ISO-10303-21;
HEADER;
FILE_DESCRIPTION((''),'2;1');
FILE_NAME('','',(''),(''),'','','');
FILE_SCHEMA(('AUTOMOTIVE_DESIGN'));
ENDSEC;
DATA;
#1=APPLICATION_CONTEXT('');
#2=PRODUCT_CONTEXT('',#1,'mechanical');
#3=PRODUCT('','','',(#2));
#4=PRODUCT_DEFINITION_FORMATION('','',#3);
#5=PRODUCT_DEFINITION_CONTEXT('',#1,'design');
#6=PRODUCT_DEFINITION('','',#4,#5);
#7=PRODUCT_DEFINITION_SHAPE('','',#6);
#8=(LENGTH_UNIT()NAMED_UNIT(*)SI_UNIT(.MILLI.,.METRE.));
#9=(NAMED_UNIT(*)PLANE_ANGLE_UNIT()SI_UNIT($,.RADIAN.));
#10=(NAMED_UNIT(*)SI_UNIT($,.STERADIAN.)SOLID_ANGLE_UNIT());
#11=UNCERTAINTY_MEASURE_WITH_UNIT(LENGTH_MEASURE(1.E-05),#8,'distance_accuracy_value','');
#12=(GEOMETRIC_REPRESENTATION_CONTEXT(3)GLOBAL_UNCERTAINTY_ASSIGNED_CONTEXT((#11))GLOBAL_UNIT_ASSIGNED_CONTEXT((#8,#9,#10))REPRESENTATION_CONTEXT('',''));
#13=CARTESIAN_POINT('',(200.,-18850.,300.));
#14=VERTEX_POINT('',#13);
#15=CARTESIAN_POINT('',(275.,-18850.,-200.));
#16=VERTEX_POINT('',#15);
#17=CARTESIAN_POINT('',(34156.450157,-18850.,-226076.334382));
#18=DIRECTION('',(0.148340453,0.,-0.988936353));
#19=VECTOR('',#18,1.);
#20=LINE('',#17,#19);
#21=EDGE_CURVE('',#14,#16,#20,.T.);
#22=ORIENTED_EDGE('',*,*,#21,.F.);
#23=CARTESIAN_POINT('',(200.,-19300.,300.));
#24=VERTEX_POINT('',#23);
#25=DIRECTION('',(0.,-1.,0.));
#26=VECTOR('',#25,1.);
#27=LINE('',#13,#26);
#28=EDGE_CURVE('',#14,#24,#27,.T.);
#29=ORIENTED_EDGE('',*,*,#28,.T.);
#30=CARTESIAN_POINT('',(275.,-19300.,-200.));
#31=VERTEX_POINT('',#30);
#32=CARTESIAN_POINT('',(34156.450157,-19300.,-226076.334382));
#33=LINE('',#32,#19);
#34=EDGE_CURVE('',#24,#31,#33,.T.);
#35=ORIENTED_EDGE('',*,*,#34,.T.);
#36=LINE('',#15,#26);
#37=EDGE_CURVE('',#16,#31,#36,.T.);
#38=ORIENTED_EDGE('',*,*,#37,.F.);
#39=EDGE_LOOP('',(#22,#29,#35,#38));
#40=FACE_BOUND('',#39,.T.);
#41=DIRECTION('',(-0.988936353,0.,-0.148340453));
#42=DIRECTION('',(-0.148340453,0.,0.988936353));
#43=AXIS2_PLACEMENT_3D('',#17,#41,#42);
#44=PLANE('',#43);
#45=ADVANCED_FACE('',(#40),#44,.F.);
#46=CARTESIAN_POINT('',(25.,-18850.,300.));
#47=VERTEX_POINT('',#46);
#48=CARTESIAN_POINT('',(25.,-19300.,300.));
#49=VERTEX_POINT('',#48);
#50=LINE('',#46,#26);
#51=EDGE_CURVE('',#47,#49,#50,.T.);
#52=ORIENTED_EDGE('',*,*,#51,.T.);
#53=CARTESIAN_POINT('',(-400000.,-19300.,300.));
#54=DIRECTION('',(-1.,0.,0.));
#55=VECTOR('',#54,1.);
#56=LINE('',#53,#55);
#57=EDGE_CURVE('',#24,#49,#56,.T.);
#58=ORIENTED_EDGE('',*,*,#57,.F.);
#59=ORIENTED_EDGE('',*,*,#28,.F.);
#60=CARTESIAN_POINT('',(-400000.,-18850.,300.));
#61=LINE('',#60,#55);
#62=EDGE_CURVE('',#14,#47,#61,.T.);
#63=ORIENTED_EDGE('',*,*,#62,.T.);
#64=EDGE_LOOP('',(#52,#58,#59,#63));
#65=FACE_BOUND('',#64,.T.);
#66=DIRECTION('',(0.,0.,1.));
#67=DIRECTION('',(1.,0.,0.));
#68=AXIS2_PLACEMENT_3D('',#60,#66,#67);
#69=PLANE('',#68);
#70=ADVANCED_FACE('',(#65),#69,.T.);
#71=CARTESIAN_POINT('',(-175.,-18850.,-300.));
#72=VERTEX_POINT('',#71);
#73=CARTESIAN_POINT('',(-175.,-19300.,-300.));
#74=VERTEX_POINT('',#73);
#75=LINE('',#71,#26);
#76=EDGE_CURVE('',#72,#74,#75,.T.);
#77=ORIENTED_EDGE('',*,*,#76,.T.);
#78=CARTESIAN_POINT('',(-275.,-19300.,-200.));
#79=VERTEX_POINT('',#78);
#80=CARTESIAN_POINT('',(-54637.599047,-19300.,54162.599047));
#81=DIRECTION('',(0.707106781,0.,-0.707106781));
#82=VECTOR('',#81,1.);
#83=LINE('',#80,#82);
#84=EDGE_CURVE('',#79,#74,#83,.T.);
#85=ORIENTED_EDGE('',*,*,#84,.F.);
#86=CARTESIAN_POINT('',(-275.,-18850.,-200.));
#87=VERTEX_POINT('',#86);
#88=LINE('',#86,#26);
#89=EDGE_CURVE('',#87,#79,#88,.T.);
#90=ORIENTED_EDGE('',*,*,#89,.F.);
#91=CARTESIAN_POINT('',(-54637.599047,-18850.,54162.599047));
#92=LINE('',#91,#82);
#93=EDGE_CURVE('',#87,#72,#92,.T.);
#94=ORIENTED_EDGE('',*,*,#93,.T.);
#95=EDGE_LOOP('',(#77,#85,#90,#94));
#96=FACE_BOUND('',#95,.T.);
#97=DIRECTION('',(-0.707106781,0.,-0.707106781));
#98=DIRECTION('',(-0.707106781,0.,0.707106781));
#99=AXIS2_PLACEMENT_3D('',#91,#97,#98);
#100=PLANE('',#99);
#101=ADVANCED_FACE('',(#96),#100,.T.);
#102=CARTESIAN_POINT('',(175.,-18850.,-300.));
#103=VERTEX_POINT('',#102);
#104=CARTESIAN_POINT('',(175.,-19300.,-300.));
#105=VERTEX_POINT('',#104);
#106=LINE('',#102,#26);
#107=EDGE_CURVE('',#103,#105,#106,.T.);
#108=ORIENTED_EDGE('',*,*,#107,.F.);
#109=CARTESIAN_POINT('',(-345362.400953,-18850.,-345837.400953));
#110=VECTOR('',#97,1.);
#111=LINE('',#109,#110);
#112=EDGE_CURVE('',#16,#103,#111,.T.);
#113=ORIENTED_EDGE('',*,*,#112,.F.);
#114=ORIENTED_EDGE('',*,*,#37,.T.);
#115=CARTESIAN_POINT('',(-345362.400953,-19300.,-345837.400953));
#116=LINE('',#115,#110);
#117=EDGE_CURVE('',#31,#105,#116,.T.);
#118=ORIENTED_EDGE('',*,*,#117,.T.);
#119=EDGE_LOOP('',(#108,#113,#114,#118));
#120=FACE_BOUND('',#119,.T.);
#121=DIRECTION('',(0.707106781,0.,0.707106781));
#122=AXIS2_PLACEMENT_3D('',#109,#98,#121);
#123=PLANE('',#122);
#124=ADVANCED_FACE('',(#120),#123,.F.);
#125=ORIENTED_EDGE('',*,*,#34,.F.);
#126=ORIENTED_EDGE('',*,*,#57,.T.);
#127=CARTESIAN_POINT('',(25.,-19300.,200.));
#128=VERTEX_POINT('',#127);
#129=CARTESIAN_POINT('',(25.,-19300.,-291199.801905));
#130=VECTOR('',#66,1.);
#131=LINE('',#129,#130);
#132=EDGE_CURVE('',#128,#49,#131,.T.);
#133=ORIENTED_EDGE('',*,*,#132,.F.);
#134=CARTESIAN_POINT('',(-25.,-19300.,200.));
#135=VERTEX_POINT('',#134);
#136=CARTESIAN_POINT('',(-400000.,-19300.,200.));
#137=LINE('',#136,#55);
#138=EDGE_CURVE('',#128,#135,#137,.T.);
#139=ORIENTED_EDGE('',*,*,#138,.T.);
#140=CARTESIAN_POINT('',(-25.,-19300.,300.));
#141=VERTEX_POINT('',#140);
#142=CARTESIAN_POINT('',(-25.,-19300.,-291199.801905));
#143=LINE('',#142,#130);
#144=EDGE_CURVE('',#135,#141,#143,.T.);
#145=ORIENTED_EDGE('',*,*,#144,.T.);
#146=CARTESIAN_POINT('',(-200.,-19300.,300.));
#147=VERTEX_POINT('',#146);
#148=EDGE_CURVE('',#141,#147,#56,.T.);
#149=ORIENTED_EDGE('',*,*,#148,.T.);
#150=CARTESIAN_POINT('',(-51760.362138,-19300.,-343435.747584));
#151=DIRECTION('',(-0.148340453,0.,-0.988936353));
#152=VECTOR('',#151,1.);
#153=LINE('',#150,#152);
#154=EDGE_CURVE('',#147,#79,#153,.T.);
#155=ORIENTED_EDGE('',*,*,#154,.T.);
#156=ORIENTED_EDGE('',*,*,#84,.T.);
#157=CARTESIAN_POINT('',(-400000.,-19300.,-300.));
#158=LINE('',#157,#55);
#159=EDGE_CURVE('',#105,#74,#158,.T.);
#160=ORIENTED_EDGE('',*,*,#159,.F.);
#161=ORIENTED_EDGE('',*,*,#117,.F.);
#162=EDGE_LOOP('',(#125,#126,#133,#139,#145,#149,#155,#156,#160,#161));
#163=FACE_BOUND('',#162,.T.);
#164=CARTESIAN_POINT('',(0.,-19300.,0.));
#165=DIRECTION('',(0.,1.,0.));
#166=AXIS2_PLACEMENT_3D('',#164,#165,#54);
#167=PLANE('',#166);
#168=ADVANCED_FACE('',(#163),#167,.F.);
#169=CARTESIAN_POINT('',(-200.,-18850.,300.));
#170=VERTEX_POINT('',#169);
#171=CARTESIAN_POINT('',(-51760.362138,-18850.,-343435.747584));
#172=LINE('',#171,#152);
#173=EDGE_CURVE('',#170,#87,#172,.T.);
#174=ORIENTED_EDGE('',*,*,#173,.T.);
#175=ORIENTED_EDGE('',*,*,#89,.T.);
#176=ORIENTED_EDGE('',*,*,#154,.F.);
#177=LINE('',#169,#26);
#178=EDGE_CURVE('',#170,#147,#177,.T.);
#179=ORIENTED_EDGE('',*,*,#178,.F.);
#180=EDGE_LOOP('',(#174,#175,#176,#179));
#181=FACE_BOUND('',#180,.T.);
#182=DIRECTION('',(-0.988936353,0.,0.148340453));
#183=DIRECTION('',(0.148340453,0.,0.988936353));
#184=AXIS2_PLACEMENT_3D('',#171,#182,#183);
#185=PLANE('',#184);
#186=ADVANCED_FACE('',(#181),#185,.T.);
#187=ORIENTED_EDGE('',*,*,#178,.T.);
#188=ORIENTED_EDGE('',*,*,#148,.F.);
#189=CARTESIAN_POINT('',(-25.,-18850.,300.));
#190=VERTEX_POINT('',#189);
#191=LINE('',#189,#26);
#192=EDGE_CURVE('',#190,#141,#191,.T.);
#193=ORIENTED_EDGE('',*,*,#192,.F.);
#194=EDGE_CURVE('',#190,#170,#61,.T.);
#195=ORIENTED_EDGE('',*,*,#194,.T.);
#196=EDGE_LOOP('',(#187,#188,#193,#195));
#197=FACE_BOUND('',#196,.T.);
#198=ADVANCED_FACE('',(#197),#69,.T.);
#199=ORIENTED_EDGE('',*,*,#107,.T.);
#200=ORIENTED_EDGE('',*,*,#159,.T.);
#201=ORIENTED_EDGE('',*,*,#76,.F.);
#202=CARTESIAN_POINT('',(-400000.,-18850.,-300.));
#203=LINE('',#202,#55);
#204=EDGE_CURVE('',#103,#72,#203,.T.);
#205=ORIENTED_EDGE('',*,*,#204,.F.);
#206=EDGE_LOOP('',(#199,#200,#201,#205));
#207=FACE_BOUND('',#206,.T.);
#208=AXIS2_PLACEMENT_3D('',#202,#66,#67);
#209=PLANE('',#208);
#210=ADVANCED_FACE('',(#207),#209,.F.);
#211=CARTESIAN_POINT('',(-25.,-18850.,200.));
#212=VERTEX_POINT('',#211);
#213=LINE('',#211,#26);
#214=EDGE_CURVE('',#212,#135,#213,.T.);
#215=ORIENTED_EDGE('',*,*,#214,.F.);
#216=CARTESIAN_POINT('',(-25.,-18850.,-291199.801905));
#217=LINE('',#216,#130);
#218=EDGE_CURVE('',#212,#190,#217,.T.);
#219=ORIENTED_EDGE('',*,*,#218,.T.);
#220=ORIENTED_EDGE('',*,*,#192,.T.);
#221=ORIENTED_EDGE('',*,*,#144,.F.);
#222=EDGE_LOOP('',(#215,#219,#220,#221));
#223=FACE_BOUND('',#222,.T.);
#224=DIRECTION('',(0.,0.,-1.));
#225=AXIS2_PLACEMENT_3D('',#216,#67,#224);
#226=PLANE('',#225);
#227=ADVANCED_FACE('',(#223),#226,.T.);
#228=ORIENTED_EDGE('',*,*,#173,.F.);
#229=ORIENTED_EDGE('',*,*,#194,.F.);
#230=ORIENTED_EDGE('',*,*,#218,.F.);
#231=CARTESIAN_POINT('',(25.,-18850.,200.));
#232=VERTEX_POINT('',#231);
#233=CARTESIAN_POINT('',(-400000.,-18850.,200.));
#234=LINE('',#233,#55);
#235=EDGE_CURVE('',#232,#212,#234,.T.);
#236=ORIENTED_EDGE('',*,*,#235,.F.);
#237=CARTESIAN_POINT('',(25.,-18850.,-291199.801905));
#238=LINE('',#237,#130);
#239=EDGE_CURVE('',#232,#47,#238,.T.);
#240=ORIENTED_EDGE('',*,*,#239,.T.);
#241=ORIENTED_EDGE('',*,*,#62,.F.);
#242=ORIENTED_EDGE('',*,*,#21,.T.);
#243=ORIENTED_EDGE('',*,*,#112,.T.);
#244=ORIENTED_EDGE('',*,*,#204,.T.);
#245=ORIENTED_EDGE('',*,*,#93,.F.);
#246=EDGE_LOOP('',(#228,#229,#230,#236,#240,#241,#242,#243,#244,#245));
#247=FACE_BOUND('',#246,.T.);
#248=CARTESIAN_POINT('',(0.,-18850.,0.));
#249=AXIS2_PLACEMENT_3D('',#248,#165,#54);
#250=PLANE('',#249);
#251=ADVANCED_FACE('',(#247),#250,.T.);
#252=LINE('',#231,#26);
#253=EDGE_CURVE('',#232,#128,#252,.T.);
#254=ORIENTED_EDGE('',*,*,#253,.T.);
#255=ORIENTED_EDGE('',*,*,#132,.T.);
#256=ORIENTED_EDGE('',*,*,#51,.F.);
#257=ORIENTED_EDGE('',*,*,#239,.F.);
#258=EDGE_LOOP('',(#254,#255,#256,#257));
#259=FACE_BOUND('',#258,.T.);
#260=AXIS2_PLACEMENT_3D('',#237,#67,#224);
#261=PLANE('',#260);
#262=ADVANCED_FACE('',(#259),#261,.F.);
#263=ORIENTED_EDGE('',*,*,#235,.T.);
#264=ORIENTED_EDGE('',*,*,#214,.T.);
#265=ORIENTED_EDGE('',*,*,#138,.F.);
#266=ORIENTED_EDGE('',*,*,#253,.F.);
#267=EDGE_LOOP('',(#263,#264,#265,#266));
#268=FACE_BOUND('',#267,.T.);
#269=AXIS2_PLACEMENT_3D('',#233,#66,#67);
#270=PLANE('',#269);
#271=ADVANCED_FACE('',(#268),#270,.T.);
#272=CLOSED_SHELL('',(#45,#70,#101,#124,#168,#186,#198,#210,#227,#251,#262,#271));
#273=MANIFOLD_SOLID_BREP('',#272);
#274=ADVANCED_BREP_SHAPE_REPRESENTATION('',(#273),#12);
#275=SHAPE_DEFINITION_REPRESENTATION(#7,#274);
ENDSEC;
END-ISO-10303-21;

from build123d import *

# Parameters (mm, degrees)
BOSS_EXTRUDE1_START = -19300
BOSS_EXTRUDE1_DEPTH = 450


with BuildPart() as part:
    # Sketch1 → Boss-Extrude1 (new body)
    with BuildSketch(Plane(origin=(0, 0, 0), x_dir=(1, 0, 0), z_dir=(0, 1, 0)).offset(BOSS_EXTRUDE1_START)):
        Polygon((175, 300), (-175, 300), (-275, 200), (-200, -300), (-25, -300), (-25, -200), (25, -200), (25, -300), (200, -300), (275, 200), align=None)
    extrude(amount=BOSS_EXTRUDE1_DEPTH)


solid = part.part
